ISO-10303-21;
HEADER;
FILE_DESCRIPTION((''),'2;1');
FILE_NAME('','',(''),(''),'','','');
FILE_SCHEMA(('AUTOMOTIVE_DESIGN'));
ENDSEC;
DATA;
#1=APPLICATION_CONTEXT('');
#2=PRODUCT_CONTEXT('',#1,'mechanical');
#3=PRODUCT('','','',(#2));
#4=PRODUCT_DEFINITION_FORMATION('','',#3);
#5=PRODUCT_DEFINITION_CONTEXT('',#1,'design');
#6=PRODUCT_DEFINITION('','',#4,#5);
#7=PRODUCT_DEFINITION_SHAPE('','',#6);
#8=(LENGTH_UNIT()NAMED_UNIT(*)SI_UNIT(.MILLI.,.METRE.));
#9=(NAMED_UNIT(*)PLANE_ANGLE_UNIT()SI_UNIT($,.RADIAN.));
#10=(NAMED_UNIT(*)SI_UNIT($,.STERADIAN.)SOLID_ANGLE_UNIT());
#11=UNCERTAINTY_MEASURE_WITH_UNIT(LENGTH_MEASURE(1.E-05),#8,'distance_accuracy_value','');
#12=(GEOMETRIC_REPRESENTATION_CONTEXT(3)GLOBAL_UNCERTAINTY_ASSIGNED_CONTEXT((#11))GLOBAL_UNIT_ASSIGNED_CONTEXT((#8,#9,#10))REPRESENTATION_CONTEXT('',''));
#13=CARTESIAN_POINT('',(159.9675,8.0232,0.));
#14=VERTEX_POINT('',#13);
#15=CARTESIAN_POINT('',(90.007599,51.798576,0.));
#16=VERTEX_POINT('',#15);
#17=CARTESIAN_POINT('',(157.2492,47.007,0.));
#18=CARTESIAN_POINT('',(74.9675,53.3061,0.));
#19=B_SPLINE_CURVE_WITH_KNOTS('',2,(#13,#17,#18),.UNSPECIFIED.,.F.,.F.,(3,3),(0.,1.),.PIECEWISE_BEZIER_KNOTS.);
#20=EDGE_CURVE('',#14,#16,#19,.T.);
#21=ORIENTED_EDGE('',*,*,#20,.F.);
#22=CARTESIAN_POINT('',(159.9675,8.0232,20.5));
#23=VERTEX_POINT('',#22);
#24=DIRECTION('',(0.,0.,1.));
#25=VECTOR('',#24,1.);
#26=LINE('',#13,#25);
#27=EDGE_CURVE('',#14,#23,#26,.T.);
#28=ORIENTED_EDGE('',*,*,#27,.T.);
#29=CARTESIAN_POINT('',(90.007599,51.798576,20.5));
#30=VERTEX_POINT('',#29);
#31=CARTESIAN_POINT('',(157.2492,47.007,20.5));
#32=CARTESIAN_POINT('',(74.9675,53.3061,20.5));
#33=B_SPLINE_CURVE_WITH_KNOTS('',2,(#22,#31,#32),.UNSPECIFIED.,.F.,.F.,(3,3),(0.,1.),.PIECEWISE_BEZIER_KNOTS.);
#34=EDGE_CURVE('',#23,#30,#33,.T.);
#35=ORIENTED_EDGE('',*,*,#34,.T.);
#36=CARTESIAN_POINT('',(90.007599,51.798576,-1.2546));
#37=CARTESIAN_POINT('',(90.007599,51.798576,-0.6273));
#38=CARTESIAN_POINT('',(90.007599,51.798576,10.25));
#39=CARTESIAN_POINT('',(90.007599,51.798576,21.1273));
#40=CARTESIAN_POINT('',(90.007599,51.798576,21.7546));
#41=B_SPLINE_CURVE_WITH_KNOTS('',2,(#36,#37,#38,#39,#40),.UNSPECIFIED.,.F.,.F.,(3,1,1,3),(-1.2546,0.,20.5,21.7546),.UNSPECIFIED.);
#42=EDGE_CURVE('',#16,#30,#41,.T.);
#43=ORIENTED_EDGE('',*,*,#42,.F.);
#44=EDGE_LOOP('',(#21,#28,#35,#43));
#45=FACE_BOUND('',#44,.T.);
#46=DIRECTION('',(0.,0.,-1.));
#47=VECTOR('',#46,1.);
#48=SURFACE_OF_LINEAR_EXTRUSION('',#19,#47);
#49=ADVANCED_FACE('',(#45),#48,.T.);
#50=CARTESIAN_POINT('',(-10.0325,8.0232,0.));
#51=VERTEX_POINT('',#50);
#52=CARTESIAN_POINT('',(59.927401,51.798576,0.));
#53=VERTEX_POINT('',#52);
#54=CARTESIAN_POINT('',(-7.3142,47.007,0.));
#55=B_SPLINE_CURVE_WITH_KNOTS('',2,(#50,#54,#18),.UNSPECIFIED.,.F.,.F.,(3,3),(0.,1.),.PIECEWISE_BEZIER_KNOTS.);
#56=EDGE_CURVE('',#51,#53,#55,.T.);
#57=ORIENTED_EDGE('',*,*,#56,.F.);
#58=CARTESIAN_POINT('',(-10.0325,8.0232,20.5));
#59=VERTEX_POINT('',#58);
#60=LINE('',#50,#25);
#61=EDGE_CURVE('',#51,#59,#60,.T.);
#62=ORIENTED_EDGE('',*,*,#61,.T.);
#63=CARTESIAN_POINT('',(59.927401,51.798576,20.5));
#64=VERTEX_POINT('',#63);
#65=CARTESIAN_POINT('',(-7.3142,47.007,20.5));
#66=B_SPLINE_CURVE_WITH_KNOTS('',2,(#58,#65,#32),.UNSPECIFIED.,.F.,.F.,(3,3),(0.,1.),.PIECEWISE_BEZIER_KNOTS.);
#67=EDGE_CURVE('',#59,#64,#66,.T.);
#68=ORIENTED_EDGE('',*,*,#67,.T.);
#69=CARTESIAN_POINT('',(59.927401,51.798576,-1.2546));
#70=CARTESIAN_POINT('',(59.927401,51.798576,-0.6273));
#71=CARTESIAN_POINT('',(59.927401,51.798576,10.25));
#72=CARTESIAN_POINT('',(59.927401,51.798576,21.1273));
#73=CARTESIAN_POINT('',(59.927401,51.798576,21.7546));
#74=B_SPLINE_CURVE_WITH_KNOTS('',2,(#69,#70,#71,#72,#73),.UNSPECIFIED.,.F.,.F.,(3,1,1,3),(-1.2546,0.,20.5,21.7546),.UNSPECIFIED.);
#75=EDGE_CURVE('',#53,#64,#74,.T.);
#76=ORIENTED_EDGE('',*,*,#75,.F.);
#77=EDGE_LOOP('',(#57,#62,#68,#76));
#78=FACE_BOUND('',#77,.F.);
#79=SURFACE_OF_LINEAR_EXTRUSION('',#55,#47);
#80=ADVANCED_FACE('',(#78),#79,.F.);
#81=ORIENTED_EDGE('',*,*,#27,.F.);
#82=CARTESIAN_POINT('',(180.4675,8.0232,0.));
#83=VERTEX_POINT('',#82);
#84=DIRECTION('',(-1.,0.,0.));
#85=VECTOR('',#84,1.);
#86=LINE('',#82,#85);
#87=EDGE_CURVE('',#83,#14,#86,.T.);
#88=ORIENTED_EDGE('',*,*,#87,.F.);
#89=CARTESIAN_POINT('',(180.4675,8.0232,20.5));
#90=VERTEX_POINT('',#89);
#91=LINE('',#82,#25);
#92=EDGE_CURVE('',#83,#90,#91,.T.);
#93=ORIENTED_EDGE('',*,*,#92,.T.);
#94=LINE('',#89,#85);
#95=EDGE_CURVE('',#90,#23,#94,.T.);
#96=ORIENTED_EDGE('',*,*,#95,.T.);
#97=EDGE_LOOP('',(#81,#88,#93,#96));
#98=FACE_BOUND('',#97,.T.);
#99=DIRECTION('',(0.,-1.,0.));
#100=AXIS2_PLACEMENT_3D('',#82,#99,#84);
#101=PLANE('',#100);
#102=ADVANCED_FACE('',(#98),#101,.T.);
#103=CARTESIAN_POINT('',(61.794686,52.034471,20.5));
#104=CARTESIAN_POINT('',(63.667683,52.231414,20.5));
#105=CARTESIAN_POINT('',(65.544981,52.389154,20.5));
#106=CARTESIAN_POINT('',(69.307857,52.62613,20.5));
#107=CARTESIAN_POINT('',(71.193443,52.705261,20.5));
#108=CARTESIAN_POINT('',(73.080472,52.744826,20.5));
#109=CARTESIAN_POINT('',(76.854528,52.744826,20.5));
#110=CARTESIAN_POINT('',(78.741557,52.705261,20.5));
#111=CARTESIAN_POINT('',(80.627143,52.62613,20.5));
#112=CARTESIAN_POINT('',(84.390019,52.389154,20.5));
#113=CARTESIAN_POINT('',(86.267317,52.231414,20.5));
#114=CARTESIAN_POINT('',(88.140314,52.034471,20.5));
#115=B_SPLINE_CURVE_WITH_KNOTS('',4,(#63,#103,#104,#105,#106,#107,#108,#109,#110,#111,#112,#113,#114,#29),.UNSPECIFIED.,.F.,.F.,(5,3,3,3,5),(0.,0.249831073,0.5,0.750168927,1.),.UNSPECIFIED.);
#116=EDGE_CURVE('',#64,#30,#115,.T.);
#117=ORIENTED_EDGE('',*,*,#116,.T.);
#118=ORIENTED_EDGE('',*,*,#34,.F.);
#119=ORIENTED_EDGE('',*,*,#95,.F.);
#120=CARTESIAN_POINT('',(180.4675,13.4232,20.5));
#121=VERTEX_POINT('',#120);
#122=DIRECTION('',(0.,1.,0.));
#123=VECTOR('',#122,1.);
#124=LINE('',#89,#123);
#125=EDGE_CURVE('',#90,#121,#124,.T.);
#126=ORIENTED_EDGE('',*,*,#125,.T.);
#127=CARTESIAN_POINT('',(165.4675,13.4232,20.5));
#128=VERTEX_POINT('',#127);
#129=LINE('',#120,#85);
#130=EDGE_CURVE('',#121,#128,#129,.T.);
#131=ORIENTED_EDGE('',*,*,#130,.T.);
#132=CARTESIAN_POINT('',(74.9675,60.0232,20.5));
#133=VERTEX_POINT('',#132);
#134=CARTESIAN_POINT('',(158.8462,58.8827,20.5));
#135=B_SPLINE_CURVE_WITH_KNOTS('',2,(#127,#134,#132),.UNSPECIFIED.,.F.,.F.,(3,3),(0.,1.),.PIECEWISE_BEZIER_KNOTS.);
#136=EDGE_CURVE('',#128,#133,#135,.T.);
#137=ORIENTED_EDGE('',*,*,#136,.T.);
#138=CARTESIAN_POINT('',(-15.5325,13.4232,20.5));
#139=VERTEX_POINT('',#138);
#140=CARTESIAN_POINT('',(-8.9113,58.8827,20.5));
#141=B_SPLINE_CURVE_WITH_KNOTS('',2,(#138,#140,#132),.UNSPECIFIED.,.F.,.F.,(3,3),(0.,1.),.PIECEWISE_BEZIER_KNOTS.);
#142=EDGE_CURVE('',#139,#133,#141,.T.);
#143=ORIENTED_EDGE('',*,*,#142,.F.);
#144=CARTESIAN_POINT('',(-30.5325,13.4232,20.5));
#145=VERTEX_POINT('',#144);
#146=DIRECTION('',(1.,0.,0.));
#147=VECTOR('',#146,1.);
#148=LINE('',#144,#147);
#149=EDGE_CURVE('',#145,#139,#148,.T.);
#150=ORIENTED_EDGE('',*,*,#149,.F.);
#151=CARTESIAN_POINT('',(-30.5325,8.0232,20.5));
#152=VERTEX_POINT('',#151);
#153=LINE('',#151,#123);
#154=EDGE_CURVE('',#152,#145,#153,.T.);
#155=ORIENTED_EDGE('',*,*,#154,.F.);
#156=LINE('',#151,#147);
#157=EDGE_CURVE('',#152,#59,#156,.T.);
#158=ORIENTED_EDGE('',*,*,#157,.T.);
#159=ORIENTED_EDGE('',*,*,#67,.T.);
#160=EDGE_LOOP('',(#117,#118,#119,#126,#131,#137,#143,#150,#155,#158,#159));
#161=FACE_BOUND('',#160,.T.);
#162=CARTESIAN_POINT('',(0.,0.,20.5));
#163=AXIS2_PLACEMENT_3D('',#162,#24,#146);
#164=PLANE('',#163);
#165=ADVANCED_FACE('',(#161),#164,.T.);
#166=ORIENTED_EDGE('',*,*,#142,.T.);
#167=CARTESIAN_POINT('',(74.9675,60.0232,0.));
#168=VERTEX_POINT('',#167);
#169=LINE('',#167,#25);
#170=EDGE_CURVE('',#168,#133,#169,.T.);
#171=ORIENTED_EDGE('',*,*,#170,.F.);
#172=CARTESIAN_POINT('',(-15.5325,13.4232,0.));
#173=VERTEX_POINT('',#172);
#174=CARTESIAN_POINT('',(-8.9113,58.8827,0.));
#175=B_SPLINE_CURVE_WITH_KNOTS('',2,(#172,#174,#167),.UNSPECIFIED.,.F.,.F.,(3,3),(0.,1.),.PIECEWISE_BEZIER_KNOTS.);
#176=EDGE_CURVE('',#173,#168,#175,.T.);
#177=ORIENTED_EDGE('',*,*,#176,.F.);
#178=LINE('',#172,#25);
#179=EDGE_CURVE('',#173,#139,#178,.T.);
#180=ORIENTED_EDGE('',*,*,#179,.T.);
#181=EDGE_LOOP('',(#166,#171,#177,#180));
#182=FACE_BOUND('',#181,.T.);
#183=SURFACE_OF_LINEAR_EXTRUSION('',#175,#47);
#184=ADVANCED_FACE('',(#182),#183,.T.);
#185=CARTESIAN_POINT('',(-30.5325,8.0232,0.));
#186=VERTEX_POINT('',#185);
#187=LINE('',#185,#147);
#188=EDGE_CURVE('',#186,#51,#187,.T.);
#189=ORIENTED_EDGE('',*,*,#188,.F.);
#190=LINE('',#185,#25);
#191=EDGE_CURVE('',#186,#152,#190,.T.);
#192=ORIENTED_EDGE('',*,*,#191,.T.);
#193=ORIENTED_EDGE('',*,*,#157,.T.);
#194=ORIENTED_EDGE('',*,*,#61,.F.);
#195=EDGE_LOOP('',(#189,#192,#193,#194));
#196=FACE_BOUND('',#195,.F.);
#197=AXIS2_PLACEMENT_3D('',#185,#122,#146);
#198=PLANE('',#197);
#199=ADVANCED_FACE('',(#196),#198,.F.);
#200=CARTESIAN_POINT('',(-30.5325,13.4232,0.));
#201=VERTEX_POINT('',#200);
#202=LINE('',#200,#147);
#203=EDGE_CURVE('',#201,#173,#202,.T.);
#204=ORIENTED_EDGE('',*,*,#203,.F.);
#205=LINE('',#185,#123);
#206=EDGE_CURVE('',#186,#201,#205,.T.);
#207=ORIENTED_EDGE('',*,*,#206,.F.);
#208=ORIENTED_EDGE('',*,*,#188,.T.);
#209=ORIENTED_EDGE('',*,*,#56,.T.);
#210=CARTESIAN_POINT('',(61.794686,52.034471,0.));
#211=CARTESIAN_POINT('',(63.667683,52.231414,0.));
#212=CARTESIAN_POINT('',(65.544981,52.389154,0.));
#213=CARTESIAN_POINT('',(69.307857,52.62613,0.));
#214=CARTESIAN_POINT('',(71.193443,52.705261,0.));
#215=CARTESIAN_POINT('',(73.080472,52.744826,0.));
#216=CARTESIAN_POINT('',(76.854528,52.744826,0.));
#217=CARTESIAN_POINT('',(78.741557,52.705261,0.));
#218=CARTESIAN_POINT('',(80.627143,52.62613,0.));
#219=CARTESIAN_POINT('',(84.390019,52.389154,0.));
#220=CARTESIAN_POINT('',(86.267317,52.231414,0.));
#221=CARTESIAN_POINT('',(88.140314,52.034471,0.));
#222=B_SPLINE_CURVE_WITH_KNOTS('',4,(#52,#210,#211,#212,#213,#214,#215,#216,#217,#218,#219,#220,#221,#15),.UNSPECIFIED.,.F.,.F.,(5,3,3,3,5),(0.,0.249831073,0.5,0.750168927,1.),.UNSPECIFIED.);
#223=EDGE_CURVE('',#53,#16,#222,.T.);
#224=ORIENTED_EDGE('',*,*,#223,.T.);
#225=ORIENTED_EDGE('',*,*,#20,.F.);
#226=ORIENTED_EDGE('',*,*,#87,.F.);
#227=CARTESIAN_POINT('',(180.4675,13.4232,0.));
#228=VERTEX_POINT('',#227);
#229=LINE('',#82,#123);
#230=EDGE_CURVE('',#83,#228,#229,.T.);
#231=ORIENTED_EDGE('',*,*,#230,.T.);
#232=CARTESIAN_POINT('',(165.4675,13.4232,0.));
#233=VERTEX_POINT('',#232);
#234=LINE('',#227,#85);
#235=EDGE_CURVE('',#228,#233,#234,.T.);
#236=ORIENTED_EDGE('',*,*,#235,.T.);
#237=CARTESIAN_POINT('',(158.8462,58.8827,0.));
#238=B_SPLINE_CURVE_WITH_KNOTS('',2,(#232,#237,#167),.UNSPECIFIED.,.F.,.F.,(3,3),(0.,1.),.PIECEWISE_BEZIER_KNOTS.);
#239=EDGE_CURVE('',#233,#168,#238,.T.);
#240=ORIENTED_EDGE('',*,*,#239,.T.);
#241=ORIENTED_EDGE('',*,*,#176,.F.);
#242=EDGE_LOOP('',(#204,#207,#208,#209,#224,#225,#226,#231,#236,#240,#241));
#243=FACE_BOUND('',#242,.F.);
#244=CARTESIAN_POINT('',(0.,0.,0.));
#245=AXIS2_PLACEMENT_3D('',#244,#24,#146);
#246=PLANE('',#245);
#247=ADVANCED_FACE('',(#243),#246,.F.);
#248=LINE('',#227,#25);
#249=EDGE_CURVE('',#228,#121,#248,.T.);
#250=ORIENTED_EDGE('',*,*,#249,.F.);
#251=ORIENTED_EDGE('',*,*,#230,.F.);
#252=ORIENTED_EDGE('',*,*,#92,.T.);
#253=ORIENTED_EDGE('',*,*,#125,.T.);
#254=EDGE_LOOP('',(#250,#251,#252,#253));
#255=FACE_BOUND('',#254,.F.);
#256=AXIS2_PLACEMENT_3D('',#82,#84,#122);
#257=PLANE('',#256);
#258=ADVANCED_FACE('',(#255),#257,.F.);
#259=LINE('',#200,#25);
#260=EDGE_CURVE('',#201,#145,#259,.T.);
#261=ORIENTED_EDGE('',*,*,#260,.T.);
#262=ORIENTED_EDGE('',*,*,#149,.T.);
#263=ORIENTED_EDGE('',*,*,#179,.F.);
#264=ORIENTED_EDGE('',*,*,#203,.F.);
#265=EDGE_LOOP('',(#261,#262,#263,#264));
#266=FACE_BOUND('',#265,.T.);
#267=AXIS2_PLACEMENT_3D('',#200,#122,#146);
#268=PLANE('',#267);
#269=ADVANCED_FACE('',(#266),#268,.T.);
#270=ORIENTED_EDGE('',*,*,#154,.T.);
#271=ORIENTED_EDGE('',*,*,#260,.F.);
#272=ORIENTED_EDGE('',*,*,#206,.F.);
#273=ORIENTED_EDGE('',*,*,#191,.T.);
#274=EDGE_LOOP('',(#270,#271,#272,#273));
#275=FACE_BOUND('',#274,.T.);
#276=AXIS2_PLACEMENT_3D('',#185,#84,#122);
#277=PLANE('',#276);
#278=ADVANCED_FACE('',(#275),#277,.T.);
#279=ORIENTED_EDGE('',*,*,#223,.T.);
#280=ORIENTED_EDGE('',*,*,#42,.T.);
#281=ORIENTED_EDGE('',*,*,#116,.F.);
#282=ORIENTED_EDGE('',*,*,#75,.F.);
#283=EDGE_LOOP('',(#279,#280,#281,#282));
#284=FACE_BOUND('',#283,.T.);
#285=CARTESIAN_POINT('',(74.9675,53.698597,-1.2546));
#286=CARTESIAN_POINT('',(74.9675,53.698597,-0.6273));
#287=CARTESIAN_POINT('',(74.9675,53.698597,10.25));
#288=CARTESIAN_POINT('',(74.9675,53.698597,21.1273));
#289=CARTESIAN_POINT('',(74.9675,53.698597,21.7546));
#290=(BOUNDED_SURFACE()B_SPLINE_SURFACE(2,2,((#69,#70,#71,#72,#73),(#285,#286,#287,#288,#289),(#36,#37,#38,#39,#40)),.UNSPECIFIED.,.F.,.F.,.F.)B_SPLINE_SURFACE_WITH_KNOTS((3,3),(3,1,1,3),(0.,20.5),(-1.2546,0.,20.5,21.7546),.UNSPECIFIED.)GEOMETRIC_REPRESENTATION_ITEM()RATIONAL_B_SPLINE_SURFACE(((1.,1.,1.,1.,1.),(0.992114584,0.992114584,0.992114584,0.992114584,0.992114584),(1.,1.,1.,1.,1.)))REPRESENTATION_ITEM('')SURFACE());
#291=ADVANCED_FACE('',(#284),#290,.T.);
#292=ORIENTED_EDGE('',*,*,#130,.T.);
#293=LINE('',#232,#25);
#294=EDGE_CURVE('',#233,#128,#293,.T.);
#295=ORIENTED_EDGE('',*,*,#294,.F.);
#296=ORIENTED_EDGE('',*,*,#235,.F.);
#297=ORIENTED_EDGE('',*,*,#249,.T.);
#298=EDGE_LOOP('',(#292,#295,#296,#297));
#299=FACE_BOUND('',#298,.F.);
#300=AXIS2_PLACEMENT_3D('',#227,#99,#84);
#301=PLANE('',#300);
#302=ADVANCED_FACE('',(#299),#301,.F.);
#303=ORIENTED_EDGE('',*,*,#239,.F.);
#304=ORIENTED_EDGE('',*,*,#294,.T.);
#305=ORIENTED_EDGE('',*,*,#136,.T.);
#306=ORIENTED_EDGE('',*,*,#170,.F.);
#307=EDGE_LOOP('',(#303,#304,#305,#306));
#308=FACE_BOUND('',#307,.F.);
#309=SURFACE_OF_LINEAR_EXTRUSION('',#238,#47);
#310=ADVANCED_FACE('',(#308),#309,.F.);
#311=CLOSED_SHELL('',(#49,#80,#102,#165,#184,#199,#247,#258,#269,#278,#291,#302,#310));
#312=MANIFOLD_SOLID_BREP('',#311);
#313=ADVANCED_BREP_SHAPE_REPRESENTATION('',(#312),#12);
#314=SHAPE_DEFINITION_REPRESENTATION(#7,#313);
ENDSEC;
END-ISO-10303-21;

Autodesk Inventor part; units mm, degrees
ref_plane "YZ Plane" through (0, 0, 0) normal (1, 0, 0) x (0, 1, 0)
ref_plane "XZ Plane" through (0, 0, 0) normal (0, 1, 0) x (-1, 0, 0)
ref_plane "XY Plane" through (0, 0, 0) normal (0, 0, 1) x (1, 0, 0)
sketch "스케치1" plane through (0, 0, 0) normal (0, 0, 1) x (1, 0, 0)
  line L0 (-30.5325, 8.0232) -> (-30.5325, 13.4232)
  line L1 (-30.5325, 13.4232) -> (-15.5325, 13.4232)
  line L2 (-30.5325, 8.0232) -> (-10.0325, 8.0232)
  line L3 (74.9675, 60.0232) -> (238.2045, 60.0232)
  line L4 (-10.1821, 0) -> (40.0685, 0)
  line L5 (74.9675, 101.3031) -> (74.9675, -114.83)
  spline S0 degree 2 poles (-15.5325, 13.4232) (-8.9113, 58.8827) (74.9675, 60.0232) knots 0 0 0 1 1 1
  spline S1 degree 2 poles (-10.0325, 8.0232) (-7.3142, 47.007) (74.9675, 53.3061) knots 0 0 0 1 1 1
  line L6 (180.4675, 8.0232) -> (180.4675, 13.4232)
  line L7 (180.4675, 13.4232) -> (165.4675, 13.4232)
  line L8 (180.4675, 8.0232) -> (159.9675, 8.0232)
  spline S2 degree 2 poles (165.4675, 13.4232) (158.8462, 58.8827) (74.9675, 60.0232) knots 0 0 0 1 1 1
  spline S3 degree 2 poles (159.9675, 8.0232) (157.2492, 47.007) (74.9675, 53.3061) knots 0 0 0 1 1 1
  point P0 (0, 0)
  point P1 (-30.5325, 10.7232)
  point P2 (2.5648, 43.0209)
  point P3 (3.7483, 33.1123)
  point P4 (147.3701, 43.0209)
  point P5 (146.1867, 33.1123)
  dimension "d1" = 20.5
  dimension "d3" = 52
  dimension "d6" = 5.4
  dimension "d8" = 15
  dimension "d11" = 105.5
extrude "돌출1" add sketch "스케치1" along normal blind 20.5
fillet "모깎기1" radius 120 1 edges at (74.9675, 53.3061, 10.25)
properties part number "leaf spring"
